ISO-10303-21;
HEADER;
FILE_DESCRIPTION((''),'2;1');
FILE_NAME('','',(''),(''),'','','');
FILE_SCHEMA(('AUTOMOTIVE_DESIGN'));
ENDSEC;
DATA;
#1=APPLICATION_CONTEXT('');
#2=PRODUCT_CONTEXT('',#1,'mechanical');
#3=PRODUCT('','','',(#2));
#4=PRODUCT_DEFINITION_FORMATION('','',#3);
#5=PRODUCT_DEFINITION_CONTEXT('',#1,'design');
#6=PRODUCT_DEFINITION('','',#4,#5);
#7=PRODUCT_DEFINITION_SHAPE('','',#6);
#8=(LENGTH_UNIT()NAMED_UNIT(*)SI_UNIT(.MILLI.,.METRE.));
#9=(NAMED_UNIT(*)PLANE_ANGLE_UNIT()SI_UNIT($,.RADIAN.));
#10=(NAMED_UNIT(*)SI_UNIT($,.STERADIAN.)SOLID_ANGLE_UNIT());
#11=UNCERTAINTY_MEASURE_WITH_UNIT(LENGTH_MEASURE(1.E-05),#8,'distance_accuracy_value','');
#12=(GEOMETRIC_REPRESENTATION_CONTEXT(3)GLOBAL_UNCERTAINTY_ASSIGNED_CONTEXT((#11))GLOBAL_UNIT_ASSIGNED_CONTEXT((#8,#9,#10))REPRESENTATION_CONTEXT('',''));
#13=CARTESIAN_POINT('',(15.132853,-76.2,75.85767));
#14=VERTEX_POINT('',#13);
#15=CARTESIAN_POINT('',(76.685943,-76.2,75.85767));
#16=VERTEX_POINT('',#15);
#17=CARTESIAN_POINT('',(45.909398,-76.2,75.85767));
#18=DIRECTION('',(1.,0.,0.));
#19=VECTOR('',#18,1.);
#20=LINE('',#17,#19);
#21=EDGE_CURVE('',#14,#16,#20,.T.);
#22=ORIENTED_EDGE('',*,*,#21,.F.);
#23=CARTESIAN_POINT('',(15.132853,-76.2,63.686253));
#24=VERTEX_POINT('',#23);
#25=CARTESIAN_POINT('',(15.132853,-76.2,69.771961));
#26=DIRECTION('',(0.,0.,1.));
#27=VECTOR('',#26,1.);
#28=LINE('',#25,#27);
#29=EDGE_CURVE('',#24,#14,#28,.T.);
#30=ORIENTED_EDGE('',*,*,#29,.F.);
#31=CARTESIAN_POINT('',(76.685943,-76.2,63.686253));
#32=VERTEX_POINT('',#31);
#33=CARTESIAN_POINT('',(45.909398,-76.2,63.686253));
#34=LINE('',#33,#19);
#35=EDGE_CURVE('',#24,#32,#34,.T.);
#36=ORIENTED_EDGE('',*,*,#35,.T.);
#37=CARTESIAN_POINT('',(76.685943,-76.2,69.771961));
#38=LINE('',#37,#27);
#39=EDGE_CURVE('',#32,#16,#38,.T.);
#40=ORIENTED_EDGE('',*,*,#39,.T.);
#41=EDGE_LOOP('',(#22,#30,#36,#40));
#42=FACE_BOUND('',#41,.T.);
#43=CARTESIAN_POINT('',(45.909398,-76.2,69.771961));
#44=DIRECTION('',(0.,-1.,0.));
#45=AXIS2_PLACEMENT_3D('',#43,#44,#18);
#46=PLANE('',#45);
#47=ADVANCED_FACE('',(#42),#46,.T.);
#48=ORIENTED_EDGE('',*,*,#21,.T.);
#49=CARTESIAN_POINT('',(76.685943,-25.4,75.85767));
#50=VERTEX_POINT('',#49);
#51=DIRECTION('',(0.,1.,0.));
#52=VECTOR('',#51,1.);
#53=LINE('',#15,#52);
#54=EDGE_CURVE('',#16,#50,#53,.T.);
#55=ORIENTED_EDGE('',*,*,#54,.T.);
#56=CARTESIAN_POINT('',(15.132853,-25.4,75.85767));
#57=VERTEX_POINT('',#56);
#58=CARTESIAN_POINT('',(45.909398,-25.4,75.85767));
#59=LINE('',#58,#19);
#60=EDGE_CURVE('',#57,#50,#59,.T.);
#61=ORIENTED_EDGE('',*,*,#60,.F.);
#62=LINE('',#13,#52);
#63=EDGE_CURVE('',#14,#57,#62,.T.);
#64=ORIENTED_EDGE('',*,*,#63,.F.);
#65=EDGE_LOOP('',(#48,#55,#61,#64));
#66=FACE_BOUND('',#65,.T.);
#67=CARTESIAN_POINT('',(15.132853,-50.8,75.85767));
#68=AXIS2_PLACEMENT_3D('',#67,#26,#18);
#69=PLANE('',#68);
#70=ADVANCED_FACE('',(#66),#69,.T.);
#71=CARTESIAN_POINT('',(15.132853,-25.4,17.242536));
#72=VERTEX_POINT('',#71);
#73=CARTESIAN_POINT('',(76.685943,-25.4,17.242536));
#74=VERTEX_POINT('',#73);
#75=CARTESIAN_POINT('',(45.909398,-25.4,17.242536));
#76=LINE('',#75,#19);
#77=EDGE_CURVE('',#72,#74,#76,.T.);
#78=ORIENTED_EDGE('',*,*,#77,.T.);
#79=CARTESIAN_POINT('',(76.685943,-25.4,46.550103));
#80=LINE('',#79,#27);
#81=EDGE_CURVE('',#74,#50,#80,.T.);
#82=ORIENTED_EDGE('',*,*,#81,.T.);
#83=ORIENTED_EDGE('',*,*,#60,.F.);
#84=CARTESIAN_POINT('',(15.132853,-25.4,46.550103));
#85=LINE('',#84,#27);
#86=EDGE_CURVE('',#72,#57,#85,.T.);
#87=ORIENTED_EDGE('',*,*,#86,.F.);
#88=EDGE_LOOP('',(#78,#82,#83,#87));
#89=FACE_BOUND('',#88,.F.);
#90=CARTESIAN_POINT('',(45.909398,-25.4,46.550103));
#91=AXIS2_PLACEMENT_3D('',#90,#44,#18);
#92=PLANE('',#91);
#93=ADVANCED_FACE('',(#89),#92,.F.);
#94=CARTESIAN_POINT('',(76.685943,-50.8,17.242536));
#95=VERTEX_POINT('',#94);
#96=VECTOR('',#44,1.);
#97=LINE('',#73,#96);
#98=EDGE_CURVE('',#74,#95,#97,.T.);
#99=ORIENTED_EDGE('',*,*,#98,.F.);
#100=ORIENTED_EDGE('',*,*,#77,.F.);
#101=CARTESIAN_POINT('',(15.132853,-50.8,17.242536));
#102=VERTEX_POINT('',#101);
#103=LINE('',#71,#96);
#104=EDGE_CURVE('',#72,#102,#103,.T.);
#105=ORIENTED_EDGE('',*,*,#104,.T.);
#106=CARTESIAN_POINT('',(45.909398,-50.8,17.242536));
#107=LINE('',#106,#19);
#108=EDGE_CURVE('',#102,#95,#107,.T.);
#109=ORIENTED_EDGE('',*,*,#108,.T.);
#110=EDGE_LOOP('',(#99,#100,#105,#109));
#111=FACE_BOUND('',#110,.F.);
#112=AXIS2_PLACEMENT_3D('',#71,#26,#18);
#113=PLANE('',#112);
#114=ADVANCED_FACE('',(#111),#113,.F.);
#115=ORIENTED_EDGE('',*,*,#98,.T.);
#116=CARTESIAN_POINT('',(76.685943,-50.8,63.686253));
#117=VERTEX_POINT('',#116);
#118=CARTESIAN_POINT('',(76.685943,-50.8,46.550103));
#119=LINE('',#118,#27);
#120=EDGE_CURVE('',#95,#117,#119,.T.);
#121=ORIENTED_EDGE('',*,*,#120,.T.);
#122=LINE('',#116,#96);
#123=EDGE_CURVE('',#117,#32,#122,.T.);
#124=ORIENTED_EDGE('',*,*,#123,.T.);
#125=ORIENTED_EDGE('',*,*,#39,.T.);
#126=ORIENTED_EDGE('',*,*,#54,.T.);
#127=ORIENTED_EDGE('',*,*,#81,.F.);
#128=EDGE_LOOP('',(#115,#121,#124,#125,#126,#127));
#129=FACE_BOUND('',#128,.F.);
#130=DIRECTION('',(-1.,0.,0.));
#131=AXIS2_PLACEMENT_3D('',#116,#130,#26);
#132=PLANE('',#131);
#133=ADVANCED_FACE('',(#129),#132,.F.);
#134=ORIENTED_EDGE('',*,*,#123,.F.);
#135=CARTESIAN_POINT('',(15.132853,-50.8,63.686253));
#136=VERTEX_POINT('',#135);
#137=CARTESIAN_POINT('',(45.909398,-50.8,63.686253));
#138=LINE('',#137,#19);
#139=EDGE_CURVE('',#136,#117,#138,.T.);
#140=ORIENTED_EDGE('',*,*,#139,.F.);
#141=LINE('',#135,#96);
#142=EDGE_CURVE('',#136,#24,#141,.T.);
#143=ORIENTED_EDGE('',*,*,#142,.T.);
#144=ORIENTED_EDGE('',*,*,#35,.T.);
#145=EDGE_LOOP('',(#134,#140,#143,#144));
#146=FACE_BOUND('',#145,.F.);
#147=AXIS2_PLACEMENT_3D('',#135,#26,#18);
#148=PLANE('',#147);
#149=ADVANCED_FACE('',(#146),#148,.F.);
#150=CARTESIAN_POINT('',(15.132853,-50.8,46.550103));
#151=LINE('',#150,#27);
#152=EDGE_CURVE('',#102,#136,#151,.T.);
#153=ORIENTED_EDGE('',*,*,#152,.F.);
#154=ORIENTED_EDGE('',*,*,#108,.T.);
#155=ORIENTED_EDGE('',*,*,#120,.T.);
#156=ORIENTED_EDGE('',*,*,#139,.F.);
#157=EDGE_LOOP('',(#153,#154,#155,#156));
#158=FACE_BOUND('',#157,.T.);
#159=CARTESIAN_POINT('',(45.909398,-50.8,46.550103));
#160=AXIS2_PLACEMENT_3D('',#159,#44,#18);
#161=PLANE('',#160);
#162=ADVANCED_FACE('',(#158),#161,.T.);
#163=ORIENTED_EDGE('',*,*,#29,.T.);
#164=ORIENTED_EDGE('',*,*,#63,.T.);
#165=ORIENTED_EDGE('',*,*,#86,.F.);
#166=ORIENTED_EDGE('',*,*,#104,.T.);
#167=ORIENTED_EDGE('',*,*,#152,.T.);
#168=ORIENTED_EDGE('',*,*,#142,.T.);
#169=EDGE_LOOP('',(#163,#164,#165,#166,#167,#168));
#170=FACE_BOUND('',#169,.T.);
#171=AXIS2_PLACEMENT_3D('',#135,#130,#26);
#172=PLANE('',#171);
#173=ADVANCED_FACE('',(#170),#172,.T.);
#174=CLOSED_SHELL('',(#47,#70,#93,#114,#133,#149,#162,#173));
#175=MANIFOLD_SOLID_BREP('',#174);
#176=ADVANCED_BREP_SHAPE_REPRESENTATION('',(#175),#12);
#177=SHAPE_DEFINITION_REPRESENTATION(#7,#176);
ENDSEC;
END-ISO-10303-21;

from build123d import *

# Parameters (mm, degrees)
F1_W     = 61.55309
F1_H     = 58.615133
F2_DEPTH = 25.4
F3_W     = 61.55309
F3_H     = 12.171417
F4_DEPTH = 25.4


with BuildPart() as f2:
    # F1 (on offset) → F2 (new body)
    with BuildSketch(Plane.XZ.offset(25.4)):
        with Locations((45.909398, 46.550103)):
            Rectangle(F1_W, F1_H)
    extrude(amount=F2_DEPTH)

    # F3 (on face) → F4 (join)
    with BuildSketch(Plane.XZ.offset(50.8)):
        with Locations((45.909398, 69.771961)):
            Rectangle(F3_W, F3_H)
    extrude(amount=F4_DEPTH)


solid = f2.part
